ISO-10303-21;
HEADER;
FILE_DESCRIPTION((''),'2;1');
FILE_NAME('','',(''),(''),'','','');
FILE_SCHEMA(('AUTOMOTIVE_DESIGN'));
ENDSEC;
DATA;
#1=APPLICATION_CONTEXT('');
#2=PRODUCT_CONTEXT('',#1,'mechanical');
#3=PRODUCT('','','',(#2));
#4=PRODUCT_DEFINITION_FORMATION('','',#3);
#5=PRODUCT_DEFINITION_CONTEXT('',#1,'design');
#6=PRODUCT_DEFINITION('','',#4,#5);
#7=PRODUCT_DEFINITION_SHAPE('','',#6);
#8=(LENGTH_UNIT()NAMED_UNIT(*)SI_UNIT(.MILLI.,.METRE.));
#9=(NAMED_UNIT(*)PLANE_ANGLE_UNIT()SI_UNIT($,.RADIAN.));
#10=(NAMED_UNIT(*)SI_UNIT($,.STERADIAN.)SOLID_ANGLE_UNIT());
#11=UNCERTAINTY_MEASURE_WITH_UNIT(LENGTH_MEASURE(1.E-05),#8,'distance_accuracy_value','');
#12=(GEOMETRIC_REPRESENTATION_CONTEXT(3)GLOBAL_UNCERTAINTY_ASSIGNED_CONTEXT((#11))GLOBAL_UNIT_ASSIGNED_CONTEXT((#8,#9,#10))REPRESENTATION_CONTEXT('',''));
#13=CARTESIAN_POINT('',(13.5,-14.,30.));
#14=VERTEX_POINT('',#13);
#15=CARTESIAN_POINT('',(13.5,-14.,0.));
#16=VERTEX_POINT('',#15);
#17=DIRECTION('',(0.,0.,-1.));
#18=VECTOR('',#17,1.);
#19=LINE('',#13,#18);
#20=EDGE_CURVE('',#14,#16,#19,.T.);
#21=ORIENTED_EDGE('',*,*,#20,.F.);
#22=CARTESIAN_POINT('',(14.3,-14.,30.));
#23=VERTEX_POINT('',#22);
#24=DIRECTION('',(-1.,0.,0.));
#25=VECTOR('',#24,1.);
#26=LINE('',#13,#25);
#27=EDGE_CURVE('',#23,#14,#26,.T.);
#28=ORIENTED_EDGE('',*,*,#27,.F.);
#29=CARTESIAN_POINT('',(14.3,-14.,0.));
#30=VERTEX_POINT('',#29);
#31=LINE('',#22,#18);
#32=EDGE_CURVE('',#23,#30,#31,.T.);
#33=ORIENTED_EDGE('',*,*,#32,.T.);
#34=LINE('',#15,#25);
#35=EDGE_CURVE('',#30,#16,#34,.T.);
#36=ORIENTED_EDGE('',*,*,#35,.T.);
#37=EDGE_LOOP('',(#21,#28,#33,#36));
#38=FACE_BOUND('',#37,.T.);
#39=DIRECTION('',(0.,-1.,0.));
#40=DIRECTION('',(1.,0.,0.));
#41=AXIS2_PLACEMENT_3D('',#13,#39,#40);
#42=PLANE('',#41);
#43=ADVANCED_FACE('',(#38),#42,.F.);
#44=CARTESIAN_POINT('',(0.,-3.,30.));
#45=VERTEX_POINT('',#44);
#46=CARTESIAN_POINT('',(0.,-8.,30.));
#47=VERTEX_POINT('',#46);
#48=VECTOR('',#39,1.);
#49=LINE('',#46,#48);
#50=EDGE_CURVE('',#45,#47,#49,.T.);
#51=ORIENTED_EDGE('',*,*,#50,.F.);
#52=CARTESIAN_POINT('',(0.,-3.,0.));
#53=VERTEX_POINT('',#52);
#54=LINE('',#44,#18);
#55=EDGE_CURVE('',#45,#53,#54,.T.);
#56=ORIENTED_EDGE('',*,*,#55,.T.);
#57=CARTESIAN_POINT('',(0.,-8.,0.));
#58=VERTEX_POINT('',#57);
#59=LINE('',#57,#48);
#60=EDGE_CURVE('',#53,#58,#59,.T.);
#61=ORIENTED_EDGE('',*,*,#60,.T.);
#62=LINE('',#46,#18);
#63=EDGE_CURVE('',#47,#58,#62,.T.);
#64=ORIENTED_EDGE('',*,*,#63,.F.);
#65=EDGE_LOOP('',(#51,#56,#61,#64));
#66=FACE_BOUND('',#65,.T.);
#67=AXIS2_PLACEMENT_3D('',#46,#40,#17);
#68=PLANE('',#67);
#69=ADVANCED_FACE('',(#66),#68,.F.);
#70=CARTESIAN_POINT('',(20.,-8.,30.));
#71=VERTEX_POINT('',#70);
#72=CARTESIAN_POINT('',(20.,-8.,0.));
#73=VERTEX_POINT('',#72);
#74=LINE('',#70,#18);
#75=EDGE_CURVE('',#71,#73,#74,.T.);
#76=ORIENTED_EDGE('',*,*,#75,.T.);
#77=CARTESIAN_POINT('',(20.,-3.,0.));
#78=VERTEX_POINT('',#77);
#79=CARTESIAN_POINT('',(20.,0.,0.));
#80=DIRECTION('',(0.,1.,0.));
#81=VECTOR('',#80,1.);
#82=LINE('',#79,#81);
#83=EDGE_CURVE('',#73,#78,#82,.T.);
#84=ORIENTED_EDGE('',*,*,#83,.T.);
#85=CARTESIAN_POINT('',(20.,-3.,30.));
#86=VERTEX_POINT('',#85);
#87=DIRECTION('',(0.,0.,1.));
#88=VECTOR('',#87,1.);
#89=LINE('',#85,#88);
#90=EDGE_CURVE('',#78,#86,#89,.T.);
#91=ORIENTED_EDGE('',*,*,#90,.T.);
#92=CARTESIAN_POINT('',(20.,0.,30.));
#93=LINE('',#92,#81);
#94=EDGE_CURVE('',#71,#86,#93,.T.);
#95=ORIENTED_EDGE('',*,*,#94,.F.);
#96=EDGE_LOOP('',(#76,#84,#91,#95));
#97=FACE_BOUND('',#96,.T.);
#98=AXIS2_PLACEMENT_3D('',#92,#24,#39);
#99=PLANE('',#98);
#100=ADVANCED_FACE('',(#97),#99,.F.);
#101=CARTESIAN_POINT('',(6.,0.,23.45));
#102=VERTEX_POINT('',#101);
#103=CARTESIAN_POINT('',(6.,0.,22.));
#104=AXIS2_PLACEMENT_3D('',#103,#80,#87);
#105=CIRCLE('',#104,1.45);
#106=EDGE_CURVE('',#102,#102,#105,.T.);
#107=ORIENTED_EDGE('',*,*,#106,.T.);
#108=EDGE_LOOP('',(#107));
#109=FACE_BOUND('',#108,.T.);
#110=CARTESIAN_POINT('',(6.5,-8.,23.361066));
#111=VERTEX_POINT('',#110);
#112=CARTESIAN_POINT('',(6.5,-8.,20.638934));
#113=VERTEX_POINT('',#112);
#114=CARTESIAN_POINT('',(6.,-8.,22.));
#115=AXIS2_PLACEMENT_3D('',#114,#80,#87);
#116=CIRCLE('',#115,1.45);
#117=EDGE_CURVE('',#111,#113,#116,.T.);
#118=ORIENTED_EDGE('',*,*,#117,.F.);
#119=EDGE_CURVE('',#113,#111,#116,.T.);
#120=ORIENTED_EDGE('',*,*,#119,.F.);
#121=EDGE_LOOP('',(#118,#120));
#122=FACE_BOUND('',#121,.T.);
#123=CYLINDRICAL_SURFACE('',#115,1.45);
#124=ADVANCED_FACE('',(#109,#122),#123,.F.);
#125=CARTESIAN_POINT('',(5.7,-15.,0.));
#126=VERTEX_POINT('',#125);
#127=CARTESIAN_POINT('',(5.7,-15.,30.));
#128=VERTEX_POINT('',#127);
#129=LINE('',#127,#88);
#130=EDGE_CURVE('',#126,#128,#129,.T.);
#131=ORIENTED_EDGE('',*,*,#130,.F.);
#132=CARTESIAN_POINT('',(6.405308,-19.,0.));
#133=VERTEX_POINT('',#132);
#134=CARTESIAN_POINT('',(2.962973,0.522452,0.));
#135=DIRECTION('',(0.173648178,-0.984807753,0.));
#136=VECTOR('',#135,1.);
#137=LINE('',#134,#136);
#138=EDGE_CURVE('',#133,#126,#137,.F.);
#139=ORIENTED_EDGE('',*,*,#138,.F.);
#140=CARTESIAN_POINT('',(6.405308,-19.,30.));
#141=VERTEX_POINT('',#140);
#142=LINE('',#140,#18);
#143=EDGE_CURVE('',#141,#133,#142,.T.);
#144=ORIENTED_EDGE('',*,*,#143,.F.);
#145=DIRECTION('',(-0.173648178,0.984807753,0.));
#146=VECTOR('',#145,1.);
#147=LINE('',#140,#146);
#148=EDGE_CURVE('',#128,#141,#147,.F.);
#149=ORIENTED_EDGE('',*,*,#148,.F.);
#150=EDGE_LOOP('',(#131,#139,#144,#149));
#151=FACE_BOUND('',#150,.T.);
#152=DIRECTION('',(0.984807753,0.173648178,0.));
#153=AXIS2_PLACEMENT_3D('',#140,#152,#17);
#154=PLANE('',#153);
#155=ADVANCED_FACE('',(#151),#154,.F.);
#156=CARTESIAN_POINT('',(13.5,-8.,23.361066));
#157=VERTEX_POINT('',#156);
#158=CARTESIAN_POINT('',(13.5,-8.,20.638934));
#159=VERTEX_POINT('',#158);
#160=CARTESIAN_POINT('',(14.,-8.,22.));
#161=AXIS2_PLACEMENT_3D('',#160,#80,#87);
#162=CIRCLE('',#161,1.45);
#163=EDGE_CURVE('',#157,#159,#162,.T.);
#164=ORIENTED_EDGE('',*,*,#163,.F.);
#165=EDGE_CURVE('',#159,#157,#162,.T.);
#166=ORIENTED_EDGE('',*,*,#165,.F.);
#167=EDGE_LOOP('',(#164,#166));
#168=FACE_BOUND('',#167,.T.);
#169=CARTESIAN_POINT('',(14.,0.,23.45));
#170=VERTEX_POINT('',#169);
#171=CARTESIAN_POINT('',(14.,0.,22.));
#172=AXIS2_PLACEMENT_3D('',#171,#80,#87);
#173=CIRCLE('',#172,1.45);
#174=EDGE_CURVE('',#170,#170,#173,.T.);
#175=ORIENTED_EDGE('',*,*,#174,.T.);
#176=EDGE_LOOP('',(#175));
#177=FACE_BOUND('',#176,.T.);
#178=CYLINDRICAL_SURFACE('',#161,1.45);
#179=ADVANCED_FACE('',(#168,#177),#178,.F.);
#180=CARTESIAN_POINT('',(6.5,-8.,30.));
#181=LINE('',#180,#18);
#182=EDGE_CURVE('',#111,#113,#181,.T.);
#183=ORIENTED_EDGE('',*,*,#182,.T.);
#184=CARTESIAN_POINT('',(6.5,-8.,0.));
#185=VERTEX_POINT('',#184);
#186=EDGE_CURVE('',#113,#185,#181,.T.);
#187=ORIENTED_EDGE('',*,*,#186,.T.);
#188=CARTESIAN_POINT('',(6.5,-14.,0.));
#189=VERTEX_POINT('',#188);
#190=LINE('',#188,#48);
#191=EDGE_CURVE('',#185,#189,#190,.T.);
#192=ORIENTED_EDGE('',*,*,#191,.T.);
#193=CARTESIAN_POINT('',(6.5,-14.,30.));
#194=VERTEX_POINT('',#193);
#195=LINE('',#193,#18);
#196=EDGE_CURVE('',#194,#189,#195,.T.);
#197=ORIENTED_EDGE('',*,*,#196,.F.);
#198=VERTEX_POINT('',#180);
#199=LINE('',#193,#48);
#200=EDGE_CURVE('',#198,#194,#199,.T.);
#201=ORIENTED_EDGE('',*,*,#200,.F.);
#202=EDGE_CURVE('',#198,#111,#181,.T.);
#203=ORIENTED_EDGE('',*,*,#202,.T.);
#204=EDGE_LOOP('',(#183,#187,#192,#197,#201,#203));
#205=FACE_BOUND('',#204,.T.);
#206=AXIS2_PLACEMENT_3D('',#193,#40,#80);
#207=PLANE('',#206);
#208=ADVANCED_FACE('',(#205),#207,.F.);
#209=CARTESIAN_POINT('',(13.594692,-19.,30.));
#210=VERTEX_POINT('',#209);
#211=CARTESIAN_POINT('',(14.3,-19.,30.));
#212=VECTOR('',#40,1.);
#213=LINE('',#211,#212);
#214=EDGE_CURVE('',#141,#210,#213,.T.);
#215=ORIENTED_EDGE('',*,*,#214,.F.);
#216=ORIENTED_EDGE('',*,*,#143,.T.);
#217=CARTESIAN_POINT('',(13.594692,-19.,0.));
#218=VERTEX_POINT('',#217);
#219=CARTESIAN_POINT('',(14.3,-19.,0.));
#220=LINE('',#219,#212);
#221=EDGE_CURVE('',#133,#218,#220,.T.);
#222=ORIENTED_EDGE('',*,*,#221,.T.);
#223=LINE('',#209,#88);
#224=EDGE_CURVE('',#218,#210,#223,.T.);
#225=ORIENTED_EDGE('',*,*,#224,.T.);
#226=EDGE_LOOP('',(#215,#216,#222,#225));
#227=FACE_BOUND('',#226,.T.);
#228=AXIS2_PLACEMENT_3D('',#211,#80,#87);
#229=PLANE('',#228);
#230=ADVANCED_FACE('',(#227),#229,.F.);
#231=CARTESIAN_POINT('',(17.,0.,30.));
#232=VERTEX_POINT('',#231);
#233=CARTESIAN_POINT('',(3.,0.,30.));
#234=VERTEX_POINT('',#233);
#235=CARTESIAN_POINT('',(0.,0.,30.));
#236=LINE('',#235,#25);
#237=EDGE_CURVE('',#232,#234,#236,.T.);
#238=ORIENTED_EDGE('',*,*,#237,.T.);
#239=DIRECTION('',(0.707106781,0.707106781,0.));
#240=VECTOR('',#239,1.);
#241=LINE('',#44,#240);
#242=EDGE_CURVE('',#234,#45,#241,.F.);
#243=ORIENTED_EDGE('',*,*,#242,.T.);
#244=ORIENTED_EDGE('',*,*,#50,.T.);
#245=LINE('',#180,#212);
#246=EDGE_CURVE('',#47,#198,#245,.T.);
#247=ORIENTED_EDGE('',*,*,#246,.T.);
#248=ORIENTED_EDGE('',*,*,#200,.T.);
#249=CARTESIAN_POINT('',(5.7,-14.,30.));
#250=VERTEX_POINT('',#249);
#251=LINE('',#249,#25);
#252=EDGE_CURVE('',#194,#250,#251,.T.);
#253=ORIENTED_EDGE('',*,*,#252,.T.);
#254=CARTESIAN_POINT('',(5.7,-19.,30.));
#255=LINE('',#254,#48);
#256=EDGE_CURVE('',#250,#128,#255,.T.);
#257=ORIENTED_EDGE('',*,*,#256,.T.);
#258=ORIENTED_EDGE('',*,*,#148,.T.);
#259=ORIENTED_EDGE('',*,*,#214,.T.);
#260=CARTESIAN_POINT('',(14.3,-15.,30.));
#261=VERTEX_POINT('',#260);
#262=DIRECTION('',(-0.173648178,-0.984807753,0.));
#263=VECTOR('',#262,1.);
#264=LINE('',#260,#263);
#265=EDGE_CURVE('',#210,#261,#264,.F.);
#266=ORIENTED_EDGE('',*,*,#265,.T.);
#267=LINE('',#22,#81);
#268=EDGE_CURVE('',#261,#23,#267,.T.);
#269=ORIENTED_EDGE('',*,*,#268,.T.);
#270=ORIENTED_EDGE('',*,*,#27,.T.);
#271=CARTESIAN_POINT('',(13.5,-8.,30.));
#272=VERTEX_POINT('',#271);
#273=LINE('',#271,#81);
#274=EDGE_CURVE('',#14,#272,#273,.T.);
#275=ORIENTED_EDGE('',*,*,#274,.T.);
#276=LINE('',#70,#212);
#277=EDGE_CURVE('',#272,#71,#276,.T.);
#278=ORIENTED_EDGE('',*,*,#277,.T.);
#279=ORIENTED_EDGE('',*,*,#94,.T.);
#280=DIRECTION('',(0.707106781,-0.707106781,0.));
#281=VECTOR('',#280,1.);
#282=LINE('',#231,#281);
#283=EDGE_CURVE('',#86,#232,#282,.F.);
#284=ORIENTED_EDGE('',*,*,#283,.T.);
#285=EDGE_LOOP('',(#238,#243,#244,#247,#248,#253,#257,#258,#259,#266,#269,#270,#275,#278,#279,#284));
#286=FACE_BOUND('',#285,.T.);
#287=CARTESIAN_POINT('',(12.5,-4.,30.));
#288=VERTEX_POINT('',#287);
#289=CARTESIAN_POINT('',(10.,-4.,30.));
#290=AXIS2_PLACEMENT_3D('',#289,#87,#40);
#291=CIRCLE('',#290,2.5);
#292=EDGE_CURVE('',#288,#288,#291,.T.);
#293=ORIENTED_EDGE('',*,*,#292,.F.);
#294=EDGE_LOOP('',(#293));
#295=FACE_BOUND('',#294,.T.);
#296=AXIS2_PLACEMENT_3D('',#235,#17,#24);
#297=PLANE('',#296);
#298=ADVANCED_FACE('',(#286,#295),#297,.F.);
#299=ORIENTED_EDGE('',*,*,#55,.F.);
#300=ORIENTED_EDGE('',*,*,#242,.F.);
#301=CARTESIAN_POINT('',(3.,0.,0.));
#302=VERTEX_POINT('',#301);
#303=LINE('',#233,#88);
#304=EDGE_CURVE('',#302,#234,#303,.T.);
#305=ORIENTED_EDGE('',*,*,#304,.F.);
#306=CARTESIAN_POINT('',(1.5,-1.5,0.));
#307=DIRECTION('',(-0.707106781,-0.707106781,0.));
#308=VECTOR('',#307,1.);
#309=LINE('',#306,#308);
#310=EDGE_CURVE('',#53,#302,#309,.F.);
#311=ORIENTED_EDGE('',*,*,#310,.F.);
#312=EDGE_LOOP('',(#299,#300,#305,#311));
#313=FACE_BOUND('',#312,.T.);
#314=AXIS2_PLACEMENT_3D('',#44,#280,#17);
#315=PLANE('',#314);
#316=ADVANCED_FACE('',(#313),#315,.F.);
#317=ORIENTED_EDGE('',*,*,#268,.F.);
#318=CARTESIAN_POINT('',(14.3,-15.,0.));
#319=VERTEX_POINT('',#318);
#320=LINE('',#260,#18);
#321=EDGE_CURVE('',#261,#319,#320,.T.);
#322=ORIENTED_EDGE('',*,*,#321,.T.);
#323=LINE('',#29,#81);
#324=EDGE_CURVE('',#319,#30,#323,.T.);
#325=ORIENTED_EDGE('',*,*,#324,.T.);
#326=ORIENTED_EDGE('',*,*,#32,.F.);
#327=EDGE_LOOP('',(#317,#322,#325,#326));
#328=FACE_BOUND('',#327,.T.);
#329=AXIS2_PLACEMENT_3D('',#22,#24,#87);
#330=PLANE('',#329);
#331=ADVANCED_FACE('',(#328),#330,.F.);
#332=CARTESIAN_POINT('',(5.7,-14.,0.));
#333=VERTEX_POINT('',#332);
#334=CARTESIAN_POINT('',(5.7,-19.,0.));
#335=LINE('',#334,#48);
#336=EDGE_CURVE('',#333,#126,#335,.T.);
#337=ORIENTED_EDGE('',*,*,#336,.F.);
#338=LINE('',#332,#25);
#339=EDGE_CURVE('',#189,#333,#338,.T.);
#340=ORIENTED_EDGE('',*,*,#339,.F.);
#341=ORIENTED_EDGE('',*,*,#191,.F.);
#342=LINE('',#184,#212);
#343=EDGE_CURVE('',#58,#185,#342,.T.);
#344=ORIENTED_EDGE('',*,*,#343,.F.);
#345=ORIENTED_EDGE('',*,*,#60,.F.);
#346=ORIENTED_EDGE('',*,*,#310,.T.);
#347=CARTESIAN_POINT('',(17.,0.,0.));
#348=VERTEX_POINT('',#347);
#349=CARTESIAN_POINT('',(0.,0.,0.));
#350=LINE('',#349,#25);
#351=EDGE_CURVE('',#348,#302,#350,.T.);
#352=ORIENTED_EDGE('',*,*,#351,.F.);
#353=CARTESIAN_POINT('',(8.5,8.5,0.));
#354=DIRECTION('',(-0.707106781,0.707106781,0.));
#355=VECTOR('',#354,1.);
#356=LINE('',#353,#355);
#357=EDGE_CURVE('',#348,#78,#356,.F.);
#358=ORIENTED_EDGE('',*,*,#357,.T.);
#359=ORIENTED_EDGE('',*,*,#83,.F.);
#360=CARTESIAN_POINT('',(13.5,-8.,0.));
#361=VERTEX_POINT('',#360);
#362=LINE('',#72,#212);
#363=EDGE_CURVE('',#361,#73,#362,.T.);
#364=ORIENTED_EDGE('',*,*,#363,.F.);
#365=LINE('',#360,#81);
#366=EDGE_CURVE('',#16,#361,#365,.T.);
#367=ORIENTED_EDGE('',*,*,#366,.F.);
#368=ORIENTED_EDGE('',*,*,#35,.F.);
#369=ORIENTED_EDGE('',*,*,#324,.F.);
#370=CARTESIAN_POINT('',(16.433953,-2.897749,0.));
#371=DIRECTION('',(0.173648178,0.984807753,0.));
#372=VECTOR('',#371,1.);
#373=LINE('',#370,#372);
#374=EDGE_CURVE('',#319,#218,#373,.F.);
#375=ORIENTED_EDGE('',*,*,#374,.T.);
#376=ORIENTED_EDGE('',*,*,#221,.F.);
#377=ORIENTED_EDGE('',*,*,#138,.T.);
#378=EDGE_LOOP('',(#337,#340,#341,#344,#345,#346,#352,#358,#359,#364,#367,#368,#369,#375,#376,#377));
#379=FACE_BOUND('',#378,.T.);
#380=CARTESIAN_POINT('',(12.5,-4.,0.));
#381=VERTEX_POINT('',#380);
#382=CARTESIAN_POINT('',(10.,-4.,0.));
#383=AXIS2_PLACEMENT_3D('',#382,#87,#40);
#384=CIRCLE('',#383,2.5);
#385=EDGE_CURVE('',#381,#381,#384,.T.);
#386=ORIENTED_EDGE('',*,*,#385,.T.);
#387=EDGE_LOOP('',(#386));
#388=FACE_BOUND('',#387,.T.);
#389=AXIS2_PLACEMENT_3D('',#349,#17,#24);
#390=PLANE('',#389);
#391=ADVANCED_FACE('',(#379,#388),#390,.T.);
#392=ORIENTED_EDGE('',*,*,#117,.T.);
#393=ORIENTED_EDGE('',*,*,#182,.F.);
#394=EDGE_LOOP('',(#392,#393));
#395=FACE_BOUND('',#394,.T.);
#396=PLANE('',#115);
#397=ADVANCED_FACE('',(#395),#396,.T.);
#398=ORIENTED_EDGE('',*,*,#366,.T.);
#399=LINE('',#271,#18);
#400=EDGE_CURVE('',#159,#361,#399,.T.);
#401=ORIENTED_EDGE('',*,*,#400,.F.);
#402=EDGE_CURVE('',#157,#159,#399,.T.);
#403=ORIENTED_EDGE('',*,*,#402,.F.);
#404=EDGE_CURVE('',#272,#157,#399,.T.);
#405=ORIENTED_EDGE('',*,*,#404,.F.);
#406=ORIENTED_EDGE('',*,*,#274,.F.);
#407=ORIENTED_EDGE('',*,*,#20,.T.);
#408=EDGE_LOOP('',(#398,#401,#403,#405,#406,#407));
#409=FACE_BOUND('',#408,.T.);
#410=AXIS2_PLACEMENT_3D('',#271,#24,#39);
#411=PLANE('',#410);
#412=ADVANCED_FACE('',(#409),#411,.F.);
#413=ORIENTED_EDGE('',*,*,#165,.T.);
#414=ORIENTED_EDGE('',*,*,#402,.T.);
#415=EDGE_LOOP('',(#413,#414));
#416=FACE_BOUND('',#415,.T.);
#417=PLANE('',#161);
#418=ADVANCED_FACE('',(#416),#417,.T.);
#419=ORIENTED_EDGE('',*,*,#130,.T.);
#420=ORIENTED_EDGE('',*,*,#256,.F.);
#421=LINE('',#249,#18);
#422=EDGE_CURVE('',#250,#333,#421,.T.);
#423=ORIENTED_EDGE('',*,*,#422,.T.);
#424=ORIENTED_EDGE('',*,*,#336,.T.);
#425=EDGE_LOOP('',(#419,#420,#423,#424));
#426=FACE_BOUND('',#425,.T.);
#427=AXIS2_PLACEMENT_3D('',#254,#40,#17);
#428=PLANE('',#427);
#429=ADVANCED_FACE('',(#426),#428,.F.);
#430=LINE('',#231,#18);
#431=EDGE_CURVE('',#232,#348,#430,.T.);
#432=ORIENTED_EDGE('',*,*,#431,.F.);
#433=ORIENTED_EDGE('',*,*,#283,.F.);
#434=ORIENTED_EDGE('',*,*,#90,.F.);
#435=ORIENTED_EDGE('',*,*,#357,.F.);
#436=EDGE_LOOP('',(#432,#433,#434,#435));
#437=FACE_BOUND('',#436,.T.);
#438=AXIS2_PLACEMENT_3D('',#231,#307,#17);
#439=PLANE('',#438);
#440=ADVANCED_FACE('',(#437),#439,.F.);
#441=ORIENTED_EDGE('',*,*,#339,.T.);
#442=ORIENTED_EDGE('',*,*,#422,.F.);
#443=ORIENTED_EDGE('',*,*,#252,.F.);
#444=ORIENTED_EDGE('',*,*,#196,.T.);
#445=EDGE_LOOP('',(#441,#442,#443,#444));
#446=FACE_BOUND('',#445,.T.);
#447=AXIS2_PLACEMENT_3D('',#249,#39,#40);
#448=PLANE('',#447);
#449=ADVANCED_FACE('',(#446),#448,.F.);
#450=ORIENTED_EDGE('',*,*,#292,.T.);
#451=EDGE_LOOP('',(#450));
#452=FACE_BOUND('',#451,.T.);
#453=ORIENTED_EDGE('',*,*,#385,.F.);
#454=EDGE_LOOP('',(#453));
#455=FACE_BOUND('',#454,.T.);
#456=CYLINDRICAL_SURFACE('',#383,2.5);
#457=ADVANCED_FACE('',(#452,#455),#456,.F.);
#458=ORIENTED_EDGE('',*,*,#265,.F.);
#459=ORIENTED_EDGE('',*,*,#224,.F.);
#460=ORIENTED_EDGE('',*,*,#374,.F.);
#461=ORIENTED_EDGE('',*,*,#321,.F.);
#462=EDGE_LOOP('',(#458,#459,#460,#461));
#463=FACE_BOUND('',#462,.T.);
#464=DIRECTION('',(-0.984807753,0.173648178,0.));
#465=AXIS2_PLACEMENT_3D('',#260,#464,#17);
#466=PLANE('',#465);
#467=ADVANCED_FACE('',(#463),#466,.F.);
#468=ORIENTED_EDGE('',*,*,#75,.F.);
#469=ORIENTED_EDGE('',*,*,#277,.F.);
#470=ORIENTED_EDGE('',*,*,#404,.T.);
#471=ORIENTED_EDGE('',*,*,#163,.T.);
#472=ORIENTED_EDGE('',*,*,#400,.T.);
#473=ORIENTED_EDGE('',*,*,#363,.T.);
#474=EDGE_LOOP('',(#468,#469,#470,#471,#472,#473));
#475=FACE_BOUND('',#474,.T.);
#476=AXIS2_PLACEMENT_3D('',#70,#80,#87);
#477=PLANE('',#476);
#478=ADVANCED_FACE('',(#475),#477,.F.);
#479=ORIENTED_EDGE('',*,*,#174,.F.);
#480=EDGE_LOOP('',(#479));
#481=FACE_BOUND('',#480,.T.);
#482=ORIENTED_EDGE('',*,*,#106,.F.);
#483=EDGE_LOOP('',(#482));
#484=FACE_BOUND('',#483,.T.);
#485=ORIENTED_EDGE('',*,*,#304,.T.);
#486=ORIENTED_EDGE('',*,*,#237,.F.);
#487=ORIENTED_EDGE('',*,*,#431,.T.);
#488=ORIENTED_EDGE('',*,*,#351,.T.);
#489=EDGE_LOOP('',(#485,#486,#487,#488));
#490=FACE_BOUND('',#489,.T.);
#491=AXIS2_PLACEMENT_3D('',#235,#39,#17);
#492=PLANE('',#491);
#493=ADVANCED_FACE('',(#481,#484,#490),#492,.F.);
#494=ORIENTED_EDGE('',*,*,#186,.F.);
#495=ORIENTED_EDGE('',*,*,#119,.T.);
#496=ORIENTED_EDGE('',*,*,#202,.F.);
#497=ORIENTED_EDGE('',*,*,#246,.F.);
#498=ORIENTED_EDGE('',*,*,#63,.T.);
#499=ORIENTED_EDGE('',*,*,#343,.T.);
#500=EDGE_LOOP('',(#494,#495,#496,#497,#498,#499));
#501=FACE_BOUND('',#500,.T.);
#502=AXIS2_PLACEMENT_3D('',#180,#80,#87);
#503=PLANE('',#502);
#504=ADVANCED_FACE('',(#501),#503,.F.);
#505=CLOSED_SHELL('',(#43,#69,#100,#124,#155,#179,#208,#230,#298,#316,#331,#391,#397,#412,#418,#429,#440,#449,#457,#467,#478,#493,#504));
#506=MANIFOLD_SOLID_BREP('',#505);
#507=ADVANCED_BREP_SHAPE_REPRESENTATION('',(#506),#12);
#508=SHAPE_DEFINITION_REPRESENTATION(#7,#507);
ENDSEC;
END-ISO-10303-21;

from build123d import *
from OCP.BRepFilletAPI import BRepFilletAPI_MakeChamfer

# Parameters (mm, degrees)
BOSS_EXTRUDE1_DEPTH = 30
SKETCH2_R           = 1.45
CUT_EXTRUDE1_DEPTH  = 8
SKETCH3_R           = 2.5
CUT_EXTRUDE2_DEPTH  = 41.755367745
CHAMFER1_SIZE       = 3
CHAMFER2_SIZE       = 4
CHAMFER2_SIZE2      = 0.705307923


with BuildPart() as part:
    # Sketch1 → Boss-Extrude1 (new body)
    with BuildSketch(Plane.XY):
        Polygon((0, 0), (20, 0), (20, -8), (13.5, -8), (13.5, -14), (14.3, -14), (14.3, -19), (5.7, -19), (5.7, -14), (6.5, -14), (6.5, -8), (0, -8), align=None)
    extrude(amount=BOSS_EXTRUDE1_DEPTH)

    # Sketch2 → Cut-Extrude1 (cut)
    with BuildSketch(Plane(origin=(0, 0, 0), x_dir=(1, 0, 0), z_dir=(0, 1, 0))):
        with Locations(Location((14, -22, 0), (0, 0, 270))):
            Circle(SKETCH2_R)
        with Locations(Location((6, -22, 0), (0, 0, 270))):
            Circle(SKETCH2_R)
    extrude(amount=-CUT_EXTRUDE1_DEPTH, mode=Mode.SUBTRACT)

    # Sketch3 → Cut-Extrude2 (cut, through all)
    with BuildSketch(Plane.XY.offset(30)):
        with Locations((10, -4)):
            Circle(SKETCH3_R)
    extrude(amount=-CUT_EXTRUDE2_DEPTH, mode=Mode.SUBTRACT)

    # Chamfer1
    chamfer1_edges = [part.edges().sort_by_distance(p)[0] for p in [
        (0, 0, 15),
        (20, 0, 15),
    ]]
    chamfer(chamfer1_edges, length=CHAMFER1_SIZE)

    # Chamfer2: one chamfer whose edges measure the first distance from different faces: ONE call of the kernel's chamfer builder (chamfer() names one face for all edges)
    chamfer2_edges_1 = [part.edges().sort_by_distance(p)[0] for p in [
        (14.3, -19, 15),
    ]]
    chamfer2_side_1 = [part.faces().sort_by_distance(p)[0] for p in [
        (14.3, -16.5, 15),
    ]]
    chamfer2_edges_2 = [part.edges().sort_by_distance(p)[0] for p in [
        (5.7, -19, 15),
    ]]
    chamfer2_side_2 = [part.faces().sort_by_distance(p)[0] for p in [
        (5.7, -16.5, 15),
    ]]
    chamfer2 = BRepFilletAPI_MakeChamfer(part.part.solid().wrapped)
    for e in chamfer2_edges_1:
        chamfer2.Add(CHAMFER2_SIZE, CHAMFER2_SIZE2, e.wrapped, chamfer2_side_1[0].wrapped)  # the first distance lies on this face
    for e in chamfer2_edges_2:
        chamfer2.Add(CHAMFER2_SIZE, CHAMFER2_SIZE2, e.wrapped, chamfer2_side_2[0].wrapped)  # the first distance lies on this face
    add(Compound.cast(chamfer2.Shape()), mode=Mode.REPLACE)


solid = part.part
